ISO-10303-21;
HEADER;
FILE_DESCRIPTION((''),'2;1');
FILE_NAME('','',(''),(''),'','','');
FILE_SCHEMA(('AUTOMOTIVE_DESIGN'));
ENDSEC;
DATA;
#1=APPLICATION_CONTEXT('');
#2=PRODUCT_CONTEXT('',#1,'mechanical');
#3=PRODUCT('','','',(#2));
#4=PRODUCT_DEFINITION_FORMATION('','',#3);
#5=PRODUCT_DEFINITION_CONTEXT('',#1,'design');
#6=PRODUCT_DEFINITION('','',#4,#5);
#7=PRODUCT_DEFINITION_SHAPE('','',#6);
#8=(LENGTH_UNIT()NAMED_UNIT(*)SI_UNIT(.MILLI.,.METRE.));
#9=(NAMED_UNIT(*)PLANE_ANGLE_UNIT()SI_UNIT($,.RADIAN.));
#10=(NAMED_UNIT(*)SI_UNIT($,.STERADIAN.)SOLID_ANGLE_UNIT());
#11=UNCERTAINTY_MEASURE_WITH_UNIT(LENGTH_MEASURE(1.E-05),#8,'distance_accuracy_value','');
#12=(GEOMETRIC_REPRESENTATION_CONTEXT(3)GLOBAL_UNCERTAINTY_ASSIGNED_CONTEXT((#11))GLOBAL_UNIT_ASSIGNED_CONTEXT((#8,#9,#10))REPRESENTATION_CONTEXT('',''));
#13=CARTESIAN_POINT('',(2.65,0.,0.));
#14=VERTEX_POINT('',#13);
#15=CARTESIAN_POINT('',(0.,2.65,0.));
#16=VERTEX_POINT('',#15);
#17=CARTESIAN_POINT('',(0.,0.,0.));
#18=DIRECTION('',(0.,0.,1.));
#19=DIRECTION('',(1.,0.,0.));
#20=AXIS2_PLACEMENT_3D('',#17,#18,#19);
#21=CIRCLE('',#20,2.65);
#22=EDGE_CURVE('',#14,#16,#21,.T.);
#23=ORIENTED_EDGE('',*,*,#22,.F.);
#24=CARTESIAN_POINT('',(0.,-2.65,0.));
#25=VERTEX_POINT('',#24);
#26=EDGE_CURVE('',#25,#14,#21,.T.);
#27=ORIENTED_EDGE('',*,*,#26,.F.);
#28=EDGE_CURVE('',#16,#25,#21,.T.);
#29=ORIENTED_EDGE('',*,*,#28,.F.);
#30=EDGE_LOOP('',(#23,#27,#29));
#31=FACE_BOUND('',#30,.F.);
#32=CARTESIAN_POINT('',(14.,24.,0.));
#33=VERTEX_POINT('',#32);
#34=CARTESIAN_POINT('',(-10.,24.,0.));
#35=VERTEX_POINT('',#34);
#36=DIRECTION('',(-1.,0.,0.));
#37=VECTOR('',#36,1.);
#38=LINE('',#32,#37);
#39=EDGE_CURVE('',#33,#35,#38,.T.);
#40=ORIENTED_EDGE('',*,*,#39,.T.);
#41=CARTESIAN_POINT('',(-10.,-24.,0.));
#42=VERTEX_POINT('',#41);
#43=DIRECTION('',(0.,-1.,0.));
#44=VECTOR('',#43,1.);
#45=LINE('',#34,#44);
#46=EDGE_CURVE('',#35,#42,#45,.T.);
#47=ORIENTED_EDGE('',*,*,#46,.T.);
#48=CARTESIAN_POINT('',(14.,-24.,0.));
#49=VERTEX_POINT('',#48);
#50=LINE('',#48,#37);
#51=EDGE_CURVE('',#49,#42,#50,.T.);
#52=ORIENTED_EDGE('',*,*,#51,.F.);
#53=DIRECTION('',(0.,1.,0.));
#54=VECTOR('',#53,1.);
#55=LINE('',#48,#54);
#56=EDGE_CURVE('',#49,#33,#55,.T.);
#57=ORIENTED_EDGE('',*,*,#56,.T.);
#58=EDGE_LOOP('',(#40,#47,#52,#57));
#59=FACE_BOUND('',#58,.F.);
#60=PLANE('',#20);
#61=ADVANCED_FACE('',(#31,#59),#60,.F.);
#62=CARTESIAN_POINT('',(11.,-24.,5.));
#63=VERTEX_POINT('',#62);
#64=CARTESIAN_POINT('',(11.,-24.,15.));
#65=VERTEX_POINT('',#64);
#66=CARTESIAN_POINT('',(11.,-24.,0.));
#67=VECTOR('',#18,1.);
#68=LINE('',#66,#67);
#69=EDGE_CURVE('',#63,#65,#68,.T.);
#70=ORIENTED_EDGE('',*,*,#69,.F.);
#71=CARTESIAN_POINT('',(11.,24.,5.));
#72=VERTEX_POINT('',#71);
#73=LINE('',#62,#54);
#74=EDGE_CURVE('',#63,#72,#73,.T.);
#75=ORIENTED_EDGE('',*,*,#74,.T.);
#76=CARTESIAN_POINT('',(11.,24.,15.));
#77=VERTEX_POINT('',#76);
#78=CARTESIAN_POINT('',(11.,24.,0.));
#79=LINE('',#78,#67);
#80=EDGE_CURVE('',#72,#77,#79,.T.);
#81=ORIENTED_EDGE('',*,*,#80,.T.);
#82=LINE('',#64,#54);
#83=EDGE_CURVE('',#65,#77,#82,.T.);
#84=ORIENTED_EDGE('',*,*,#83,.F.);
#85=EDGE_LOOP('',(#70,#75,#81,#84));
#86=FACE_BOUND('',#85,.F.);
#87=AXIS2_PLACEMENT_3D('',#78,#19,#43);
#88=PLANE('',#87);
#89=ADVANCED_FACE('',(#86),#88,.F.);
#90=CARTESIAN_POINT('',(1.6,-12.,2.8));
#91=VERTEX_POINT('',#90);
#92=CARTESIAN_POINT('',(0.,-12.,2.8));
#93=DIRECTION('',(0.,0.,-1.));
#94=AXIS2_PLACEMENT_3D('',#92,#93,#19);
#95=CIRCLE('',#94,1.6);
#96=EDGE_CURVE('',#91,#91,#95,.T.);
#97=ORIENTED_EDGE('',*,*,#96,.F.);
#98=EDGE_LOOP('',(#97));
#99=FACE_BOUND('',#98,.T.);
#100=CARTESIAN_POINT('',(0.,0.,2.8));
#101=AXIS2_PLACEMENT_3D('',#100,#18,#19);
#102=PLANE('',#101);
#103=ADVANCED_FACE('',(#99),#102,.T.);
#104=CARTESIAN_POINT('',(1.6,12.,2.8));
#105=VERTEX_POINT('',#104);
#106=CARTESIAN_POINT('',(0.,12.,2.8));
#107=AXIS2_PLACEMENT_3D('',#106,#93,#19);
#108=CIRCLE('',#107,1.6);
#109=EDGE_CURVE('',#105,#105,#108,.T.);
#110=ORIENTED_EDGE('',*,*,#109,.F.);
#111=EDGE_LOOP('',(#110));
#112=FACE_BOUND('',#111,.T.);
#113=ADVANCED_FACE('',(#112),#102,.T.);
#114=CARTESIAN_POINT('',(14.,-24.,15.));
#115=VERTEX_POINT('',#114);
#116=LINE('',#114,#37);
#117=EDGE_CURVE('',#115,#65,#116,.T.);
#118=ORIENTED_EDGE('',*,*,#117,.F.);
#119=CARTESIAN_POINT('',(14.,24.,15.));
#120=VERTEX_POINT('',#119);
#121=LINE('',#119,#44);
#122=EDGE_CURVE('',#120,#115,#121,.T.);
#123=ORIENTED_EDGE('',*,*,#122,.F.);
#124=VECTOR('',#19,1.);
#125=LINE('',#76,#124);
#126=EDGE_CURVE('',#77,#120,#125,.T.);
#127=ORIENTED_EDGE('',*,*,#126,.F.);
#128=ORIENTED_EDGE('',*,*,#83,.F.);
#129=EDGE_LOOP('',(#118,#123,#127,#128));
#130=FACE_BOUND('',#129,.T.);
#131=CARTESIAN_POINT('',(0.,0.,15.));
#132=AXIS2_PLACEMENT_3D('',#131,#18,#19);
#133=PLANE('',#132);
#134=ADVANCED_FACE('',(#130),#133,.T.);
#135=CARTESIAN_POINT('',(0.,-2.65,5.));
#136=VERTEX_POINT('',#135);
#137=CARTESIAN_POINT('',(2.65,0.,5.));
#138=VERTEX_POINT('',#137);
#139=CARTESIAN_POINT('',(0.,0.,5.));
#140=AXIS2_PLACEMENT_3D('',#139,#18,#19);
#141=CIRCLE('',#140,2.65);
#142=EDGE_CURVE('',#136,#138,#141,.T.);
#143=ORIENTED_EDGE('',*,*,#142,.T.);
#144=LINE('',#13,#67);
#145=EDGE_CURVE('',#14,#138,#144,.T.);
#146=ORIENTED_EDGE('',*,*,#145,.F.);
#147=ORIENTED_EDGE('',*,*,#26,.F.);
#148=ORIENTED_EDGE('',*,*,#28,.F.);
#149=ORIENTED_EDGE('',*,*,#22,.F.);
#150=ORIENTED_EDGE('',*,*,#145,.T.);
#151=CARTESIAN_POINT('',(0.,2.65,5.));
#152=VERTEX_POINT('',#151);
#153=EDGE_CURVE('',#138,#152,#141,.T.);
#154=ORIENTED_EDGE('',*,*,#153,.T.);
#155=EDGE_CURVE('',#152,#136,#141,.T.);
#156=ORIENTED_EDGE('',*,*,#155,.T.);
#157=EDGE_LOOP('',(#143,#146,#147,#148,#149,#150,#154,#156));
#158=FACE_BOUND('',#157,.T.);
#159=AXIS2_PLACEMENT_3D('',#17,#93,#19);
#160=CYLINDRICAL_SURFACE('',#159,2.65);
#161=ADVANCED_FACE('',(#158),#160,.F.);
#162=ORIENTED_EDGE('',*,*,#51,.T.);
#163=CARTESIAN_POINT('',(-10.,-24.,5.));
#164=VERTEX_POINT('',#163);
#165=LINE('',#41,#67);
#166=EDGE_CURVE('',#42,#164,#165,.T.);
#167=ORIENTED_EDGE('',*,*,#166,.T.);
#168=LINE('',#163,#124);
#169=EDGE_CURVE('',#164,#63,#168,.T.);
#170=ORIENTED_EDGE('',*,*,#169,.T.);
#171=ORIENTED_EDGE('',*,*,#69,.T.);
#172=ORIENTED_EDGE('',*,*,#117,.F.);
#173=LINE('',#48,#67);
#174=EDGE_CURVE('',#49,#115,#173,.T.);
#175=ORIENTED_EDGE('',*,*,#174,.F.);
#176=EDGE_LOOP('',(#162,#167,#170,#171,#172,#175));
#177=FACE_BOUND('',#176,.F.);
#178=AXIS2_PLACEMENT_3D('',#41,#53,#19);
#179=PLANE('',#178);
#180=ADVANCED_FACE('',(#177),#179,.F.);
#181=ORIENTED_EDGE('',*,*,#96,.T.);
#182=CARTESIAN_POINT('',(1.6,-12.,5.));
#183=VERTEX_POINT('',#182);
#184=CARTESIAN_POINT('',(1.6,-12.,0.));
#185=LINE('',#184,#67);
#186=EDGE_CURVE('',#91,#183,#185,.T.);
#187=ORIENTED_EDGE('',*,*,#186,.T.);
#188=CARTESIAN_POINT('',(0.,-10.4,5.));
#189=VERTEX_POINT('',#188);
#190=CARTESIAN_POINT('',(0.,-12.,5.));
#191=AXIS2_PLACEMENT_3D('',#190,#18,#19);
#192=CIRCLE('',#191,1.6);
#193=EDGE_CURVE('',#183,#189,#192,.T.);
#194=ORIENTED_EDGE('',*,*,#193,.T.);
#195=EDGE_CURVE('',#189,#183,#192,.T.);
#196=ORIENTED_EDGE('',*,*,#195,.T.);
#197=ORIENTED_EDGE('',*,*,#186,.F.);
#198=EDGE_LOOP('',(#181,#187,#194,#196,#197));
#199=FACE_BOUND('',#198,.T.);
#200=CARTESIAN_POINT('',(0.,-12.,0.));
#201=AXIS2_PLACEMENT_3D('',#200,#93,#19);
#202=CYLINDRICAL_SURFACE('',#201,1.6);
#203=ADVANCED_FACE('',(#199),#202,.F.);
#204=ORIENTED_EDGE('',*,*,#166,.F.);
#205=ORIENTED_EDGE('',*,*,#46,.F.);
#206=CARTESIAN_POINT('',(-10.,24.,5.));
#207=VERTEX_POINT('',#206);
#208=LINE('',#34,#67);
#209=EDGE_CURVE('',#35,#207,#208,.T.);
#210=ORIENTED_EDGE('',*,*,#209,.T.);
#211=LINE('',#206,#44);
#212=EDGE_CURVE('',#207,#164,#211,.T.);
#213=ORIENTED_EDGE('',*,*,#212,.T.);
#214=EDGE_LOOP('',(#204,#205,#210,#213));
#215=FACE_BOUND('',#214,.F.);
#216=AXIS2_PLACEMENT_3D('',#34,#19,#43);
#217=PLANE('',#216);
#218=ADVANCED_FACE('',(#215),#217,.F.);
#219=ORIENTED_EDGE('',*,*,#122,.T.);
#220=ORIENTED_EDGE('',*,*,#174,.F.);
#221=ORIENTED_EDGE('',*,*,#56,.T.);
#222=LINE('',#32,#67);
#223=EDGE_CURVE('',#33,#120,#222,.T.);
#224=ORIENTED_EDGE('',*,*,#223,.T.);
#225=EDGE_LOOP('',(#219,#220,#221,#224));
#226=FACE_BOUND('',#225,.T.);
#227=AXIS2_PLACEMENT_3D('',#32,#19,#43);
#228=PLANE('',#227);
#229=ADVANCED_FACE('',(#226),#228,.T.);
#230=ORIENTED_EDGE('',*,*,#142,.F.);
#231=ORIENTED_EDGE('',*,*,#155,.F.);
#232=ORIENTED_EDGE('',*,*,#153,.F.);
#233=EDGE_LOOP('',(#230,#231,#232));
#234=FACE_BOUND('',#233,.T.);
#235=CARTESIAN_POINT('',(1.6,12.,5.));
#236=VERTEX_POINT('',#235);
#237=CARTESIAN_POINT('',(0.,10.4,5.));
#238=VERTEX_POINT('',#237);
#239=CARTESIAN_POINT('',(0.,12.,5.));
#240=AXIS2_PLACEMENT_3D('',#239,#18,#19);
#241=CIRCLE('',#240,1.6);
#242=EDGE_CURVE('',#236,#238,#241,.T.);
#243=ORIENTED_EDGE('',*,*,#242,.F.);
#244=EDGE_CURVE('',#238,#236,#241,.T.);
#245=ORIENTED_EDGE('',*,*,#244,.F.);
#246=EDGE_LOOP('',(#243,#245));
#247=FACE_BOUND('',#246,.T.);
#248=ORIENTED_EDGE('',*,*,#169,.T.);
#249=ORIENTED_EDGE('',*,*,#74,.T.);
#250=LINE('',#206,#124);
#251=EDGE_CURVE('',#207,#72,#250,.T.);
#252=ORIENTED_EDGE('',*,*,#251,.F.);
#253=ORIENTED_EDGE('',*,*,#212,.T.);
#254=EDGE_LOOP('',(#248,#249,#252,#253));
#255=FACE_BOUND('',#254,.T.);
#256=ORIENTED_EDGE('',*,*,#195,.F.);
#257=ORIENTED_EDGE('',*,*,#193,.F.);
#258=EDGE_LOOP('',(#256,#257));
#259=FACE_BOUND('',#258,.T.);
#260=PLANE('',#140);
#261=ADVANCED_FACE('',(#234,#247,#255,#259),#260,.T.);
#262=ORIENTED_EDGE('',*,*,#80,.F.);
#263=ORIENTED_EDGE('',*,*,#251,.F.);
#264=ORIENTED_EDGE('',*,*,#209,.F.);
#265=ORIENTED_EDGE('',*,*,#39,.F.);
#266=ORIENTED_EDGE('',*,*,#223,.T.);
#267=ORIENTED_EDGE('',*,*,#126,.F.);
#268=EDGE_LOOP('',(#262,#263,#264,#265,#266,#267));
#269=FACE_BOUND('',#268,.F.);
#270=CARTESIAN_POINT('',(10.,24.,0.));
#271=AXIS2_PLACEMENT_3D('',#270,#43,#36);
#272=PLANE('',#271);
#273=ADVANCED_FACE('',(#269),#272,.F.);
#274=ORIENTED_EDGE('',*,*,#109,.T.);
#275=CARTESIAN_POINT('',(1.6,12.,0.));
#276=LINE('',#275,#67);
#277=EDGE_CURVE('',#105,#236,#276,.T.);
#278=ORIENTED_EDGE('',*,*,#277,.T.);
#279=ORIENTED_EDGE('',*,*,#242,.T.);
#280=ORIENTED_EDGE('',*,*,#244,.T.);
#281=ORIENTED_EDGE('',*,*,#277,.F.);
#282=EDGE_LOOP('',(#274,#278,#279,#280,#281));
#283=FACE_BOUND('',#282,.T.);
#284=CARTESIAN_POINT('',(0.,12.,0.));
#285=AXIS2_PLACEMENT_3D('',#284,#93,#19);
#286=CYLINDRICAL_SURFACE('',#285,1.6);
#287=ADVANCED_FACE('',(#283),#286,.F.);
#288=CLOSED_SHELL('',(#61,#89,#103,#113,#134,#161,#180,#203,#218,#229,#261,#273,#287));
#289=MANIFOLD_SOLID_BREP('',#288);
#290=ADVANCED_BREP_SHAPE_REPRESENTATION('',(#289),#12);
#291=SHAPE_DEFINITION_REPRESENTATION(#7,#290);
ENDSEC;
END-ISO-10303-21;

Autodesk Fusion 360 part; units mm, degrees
sketch "스케치1" plane through (0, 0, 0) normal (0, 0, 1) x (1, 0, 0)
  line L0 (10, 24) -> (-10, 24)
  line L1 (-10, 24) -> (-10, -24)
  line L2 (-10, -24) -> (10, -24)
  line L3 (10, -24) -> (10, 24)
  line L4 (10, 24) -> (-10, -24) construction
  line L5 (-10, 24) -> (10, -24) construction
  circle A0 centre (0, 0) radius 2.65
  line L6 (0, 0) -> (0, 12)
  circle A1 centre (0, 12) radius 1.6
  line L7 (0, 0) -> (0, -12)
  circle A2 centre (0, -12) radius 1.6
  line L8 (10, 24) -> (11, 24)
  line L9 (11, 24) -> (11, -24)
  line L10 (11, -24) -> (10, -24)
  line L11 (10, -24) -> (10, 24)
  line L12 (11, 24) -> (14, 24)
  line L13 (14, 24) -> (14, -24)
  line L14 (14, -24) -> (11, -24)
  line L15 (11, -24) -> (11, 24)
  line L16 (10, -6) -> (14, -6)
  dimension "d1" = 20
  dimension "d2" = 48
  dimension "d3" = 5.3
  dimension "d4" = 12
  dimension "d5" = 3.2
  dimension "d6" = 12
  dimension "d7" = 3.2
  dimension "d12" = 3
extrude "돌출1" add sketch "스케치1" along normal blind 5 contours L0 L1 L2 L3 L11 | L3 L8 L9 L11 L15 L16 | L3 L9 L10 L11 L15 L16
extrude "돌출2" add sketch "스케치1" along normal blind 2.8 contours A2 | A1
extrude "돌출3" add sketch "스케치1" along normal blind 15 contours L9 L12 L13 L15 L16 | L9 L13 L14 L15 L16
